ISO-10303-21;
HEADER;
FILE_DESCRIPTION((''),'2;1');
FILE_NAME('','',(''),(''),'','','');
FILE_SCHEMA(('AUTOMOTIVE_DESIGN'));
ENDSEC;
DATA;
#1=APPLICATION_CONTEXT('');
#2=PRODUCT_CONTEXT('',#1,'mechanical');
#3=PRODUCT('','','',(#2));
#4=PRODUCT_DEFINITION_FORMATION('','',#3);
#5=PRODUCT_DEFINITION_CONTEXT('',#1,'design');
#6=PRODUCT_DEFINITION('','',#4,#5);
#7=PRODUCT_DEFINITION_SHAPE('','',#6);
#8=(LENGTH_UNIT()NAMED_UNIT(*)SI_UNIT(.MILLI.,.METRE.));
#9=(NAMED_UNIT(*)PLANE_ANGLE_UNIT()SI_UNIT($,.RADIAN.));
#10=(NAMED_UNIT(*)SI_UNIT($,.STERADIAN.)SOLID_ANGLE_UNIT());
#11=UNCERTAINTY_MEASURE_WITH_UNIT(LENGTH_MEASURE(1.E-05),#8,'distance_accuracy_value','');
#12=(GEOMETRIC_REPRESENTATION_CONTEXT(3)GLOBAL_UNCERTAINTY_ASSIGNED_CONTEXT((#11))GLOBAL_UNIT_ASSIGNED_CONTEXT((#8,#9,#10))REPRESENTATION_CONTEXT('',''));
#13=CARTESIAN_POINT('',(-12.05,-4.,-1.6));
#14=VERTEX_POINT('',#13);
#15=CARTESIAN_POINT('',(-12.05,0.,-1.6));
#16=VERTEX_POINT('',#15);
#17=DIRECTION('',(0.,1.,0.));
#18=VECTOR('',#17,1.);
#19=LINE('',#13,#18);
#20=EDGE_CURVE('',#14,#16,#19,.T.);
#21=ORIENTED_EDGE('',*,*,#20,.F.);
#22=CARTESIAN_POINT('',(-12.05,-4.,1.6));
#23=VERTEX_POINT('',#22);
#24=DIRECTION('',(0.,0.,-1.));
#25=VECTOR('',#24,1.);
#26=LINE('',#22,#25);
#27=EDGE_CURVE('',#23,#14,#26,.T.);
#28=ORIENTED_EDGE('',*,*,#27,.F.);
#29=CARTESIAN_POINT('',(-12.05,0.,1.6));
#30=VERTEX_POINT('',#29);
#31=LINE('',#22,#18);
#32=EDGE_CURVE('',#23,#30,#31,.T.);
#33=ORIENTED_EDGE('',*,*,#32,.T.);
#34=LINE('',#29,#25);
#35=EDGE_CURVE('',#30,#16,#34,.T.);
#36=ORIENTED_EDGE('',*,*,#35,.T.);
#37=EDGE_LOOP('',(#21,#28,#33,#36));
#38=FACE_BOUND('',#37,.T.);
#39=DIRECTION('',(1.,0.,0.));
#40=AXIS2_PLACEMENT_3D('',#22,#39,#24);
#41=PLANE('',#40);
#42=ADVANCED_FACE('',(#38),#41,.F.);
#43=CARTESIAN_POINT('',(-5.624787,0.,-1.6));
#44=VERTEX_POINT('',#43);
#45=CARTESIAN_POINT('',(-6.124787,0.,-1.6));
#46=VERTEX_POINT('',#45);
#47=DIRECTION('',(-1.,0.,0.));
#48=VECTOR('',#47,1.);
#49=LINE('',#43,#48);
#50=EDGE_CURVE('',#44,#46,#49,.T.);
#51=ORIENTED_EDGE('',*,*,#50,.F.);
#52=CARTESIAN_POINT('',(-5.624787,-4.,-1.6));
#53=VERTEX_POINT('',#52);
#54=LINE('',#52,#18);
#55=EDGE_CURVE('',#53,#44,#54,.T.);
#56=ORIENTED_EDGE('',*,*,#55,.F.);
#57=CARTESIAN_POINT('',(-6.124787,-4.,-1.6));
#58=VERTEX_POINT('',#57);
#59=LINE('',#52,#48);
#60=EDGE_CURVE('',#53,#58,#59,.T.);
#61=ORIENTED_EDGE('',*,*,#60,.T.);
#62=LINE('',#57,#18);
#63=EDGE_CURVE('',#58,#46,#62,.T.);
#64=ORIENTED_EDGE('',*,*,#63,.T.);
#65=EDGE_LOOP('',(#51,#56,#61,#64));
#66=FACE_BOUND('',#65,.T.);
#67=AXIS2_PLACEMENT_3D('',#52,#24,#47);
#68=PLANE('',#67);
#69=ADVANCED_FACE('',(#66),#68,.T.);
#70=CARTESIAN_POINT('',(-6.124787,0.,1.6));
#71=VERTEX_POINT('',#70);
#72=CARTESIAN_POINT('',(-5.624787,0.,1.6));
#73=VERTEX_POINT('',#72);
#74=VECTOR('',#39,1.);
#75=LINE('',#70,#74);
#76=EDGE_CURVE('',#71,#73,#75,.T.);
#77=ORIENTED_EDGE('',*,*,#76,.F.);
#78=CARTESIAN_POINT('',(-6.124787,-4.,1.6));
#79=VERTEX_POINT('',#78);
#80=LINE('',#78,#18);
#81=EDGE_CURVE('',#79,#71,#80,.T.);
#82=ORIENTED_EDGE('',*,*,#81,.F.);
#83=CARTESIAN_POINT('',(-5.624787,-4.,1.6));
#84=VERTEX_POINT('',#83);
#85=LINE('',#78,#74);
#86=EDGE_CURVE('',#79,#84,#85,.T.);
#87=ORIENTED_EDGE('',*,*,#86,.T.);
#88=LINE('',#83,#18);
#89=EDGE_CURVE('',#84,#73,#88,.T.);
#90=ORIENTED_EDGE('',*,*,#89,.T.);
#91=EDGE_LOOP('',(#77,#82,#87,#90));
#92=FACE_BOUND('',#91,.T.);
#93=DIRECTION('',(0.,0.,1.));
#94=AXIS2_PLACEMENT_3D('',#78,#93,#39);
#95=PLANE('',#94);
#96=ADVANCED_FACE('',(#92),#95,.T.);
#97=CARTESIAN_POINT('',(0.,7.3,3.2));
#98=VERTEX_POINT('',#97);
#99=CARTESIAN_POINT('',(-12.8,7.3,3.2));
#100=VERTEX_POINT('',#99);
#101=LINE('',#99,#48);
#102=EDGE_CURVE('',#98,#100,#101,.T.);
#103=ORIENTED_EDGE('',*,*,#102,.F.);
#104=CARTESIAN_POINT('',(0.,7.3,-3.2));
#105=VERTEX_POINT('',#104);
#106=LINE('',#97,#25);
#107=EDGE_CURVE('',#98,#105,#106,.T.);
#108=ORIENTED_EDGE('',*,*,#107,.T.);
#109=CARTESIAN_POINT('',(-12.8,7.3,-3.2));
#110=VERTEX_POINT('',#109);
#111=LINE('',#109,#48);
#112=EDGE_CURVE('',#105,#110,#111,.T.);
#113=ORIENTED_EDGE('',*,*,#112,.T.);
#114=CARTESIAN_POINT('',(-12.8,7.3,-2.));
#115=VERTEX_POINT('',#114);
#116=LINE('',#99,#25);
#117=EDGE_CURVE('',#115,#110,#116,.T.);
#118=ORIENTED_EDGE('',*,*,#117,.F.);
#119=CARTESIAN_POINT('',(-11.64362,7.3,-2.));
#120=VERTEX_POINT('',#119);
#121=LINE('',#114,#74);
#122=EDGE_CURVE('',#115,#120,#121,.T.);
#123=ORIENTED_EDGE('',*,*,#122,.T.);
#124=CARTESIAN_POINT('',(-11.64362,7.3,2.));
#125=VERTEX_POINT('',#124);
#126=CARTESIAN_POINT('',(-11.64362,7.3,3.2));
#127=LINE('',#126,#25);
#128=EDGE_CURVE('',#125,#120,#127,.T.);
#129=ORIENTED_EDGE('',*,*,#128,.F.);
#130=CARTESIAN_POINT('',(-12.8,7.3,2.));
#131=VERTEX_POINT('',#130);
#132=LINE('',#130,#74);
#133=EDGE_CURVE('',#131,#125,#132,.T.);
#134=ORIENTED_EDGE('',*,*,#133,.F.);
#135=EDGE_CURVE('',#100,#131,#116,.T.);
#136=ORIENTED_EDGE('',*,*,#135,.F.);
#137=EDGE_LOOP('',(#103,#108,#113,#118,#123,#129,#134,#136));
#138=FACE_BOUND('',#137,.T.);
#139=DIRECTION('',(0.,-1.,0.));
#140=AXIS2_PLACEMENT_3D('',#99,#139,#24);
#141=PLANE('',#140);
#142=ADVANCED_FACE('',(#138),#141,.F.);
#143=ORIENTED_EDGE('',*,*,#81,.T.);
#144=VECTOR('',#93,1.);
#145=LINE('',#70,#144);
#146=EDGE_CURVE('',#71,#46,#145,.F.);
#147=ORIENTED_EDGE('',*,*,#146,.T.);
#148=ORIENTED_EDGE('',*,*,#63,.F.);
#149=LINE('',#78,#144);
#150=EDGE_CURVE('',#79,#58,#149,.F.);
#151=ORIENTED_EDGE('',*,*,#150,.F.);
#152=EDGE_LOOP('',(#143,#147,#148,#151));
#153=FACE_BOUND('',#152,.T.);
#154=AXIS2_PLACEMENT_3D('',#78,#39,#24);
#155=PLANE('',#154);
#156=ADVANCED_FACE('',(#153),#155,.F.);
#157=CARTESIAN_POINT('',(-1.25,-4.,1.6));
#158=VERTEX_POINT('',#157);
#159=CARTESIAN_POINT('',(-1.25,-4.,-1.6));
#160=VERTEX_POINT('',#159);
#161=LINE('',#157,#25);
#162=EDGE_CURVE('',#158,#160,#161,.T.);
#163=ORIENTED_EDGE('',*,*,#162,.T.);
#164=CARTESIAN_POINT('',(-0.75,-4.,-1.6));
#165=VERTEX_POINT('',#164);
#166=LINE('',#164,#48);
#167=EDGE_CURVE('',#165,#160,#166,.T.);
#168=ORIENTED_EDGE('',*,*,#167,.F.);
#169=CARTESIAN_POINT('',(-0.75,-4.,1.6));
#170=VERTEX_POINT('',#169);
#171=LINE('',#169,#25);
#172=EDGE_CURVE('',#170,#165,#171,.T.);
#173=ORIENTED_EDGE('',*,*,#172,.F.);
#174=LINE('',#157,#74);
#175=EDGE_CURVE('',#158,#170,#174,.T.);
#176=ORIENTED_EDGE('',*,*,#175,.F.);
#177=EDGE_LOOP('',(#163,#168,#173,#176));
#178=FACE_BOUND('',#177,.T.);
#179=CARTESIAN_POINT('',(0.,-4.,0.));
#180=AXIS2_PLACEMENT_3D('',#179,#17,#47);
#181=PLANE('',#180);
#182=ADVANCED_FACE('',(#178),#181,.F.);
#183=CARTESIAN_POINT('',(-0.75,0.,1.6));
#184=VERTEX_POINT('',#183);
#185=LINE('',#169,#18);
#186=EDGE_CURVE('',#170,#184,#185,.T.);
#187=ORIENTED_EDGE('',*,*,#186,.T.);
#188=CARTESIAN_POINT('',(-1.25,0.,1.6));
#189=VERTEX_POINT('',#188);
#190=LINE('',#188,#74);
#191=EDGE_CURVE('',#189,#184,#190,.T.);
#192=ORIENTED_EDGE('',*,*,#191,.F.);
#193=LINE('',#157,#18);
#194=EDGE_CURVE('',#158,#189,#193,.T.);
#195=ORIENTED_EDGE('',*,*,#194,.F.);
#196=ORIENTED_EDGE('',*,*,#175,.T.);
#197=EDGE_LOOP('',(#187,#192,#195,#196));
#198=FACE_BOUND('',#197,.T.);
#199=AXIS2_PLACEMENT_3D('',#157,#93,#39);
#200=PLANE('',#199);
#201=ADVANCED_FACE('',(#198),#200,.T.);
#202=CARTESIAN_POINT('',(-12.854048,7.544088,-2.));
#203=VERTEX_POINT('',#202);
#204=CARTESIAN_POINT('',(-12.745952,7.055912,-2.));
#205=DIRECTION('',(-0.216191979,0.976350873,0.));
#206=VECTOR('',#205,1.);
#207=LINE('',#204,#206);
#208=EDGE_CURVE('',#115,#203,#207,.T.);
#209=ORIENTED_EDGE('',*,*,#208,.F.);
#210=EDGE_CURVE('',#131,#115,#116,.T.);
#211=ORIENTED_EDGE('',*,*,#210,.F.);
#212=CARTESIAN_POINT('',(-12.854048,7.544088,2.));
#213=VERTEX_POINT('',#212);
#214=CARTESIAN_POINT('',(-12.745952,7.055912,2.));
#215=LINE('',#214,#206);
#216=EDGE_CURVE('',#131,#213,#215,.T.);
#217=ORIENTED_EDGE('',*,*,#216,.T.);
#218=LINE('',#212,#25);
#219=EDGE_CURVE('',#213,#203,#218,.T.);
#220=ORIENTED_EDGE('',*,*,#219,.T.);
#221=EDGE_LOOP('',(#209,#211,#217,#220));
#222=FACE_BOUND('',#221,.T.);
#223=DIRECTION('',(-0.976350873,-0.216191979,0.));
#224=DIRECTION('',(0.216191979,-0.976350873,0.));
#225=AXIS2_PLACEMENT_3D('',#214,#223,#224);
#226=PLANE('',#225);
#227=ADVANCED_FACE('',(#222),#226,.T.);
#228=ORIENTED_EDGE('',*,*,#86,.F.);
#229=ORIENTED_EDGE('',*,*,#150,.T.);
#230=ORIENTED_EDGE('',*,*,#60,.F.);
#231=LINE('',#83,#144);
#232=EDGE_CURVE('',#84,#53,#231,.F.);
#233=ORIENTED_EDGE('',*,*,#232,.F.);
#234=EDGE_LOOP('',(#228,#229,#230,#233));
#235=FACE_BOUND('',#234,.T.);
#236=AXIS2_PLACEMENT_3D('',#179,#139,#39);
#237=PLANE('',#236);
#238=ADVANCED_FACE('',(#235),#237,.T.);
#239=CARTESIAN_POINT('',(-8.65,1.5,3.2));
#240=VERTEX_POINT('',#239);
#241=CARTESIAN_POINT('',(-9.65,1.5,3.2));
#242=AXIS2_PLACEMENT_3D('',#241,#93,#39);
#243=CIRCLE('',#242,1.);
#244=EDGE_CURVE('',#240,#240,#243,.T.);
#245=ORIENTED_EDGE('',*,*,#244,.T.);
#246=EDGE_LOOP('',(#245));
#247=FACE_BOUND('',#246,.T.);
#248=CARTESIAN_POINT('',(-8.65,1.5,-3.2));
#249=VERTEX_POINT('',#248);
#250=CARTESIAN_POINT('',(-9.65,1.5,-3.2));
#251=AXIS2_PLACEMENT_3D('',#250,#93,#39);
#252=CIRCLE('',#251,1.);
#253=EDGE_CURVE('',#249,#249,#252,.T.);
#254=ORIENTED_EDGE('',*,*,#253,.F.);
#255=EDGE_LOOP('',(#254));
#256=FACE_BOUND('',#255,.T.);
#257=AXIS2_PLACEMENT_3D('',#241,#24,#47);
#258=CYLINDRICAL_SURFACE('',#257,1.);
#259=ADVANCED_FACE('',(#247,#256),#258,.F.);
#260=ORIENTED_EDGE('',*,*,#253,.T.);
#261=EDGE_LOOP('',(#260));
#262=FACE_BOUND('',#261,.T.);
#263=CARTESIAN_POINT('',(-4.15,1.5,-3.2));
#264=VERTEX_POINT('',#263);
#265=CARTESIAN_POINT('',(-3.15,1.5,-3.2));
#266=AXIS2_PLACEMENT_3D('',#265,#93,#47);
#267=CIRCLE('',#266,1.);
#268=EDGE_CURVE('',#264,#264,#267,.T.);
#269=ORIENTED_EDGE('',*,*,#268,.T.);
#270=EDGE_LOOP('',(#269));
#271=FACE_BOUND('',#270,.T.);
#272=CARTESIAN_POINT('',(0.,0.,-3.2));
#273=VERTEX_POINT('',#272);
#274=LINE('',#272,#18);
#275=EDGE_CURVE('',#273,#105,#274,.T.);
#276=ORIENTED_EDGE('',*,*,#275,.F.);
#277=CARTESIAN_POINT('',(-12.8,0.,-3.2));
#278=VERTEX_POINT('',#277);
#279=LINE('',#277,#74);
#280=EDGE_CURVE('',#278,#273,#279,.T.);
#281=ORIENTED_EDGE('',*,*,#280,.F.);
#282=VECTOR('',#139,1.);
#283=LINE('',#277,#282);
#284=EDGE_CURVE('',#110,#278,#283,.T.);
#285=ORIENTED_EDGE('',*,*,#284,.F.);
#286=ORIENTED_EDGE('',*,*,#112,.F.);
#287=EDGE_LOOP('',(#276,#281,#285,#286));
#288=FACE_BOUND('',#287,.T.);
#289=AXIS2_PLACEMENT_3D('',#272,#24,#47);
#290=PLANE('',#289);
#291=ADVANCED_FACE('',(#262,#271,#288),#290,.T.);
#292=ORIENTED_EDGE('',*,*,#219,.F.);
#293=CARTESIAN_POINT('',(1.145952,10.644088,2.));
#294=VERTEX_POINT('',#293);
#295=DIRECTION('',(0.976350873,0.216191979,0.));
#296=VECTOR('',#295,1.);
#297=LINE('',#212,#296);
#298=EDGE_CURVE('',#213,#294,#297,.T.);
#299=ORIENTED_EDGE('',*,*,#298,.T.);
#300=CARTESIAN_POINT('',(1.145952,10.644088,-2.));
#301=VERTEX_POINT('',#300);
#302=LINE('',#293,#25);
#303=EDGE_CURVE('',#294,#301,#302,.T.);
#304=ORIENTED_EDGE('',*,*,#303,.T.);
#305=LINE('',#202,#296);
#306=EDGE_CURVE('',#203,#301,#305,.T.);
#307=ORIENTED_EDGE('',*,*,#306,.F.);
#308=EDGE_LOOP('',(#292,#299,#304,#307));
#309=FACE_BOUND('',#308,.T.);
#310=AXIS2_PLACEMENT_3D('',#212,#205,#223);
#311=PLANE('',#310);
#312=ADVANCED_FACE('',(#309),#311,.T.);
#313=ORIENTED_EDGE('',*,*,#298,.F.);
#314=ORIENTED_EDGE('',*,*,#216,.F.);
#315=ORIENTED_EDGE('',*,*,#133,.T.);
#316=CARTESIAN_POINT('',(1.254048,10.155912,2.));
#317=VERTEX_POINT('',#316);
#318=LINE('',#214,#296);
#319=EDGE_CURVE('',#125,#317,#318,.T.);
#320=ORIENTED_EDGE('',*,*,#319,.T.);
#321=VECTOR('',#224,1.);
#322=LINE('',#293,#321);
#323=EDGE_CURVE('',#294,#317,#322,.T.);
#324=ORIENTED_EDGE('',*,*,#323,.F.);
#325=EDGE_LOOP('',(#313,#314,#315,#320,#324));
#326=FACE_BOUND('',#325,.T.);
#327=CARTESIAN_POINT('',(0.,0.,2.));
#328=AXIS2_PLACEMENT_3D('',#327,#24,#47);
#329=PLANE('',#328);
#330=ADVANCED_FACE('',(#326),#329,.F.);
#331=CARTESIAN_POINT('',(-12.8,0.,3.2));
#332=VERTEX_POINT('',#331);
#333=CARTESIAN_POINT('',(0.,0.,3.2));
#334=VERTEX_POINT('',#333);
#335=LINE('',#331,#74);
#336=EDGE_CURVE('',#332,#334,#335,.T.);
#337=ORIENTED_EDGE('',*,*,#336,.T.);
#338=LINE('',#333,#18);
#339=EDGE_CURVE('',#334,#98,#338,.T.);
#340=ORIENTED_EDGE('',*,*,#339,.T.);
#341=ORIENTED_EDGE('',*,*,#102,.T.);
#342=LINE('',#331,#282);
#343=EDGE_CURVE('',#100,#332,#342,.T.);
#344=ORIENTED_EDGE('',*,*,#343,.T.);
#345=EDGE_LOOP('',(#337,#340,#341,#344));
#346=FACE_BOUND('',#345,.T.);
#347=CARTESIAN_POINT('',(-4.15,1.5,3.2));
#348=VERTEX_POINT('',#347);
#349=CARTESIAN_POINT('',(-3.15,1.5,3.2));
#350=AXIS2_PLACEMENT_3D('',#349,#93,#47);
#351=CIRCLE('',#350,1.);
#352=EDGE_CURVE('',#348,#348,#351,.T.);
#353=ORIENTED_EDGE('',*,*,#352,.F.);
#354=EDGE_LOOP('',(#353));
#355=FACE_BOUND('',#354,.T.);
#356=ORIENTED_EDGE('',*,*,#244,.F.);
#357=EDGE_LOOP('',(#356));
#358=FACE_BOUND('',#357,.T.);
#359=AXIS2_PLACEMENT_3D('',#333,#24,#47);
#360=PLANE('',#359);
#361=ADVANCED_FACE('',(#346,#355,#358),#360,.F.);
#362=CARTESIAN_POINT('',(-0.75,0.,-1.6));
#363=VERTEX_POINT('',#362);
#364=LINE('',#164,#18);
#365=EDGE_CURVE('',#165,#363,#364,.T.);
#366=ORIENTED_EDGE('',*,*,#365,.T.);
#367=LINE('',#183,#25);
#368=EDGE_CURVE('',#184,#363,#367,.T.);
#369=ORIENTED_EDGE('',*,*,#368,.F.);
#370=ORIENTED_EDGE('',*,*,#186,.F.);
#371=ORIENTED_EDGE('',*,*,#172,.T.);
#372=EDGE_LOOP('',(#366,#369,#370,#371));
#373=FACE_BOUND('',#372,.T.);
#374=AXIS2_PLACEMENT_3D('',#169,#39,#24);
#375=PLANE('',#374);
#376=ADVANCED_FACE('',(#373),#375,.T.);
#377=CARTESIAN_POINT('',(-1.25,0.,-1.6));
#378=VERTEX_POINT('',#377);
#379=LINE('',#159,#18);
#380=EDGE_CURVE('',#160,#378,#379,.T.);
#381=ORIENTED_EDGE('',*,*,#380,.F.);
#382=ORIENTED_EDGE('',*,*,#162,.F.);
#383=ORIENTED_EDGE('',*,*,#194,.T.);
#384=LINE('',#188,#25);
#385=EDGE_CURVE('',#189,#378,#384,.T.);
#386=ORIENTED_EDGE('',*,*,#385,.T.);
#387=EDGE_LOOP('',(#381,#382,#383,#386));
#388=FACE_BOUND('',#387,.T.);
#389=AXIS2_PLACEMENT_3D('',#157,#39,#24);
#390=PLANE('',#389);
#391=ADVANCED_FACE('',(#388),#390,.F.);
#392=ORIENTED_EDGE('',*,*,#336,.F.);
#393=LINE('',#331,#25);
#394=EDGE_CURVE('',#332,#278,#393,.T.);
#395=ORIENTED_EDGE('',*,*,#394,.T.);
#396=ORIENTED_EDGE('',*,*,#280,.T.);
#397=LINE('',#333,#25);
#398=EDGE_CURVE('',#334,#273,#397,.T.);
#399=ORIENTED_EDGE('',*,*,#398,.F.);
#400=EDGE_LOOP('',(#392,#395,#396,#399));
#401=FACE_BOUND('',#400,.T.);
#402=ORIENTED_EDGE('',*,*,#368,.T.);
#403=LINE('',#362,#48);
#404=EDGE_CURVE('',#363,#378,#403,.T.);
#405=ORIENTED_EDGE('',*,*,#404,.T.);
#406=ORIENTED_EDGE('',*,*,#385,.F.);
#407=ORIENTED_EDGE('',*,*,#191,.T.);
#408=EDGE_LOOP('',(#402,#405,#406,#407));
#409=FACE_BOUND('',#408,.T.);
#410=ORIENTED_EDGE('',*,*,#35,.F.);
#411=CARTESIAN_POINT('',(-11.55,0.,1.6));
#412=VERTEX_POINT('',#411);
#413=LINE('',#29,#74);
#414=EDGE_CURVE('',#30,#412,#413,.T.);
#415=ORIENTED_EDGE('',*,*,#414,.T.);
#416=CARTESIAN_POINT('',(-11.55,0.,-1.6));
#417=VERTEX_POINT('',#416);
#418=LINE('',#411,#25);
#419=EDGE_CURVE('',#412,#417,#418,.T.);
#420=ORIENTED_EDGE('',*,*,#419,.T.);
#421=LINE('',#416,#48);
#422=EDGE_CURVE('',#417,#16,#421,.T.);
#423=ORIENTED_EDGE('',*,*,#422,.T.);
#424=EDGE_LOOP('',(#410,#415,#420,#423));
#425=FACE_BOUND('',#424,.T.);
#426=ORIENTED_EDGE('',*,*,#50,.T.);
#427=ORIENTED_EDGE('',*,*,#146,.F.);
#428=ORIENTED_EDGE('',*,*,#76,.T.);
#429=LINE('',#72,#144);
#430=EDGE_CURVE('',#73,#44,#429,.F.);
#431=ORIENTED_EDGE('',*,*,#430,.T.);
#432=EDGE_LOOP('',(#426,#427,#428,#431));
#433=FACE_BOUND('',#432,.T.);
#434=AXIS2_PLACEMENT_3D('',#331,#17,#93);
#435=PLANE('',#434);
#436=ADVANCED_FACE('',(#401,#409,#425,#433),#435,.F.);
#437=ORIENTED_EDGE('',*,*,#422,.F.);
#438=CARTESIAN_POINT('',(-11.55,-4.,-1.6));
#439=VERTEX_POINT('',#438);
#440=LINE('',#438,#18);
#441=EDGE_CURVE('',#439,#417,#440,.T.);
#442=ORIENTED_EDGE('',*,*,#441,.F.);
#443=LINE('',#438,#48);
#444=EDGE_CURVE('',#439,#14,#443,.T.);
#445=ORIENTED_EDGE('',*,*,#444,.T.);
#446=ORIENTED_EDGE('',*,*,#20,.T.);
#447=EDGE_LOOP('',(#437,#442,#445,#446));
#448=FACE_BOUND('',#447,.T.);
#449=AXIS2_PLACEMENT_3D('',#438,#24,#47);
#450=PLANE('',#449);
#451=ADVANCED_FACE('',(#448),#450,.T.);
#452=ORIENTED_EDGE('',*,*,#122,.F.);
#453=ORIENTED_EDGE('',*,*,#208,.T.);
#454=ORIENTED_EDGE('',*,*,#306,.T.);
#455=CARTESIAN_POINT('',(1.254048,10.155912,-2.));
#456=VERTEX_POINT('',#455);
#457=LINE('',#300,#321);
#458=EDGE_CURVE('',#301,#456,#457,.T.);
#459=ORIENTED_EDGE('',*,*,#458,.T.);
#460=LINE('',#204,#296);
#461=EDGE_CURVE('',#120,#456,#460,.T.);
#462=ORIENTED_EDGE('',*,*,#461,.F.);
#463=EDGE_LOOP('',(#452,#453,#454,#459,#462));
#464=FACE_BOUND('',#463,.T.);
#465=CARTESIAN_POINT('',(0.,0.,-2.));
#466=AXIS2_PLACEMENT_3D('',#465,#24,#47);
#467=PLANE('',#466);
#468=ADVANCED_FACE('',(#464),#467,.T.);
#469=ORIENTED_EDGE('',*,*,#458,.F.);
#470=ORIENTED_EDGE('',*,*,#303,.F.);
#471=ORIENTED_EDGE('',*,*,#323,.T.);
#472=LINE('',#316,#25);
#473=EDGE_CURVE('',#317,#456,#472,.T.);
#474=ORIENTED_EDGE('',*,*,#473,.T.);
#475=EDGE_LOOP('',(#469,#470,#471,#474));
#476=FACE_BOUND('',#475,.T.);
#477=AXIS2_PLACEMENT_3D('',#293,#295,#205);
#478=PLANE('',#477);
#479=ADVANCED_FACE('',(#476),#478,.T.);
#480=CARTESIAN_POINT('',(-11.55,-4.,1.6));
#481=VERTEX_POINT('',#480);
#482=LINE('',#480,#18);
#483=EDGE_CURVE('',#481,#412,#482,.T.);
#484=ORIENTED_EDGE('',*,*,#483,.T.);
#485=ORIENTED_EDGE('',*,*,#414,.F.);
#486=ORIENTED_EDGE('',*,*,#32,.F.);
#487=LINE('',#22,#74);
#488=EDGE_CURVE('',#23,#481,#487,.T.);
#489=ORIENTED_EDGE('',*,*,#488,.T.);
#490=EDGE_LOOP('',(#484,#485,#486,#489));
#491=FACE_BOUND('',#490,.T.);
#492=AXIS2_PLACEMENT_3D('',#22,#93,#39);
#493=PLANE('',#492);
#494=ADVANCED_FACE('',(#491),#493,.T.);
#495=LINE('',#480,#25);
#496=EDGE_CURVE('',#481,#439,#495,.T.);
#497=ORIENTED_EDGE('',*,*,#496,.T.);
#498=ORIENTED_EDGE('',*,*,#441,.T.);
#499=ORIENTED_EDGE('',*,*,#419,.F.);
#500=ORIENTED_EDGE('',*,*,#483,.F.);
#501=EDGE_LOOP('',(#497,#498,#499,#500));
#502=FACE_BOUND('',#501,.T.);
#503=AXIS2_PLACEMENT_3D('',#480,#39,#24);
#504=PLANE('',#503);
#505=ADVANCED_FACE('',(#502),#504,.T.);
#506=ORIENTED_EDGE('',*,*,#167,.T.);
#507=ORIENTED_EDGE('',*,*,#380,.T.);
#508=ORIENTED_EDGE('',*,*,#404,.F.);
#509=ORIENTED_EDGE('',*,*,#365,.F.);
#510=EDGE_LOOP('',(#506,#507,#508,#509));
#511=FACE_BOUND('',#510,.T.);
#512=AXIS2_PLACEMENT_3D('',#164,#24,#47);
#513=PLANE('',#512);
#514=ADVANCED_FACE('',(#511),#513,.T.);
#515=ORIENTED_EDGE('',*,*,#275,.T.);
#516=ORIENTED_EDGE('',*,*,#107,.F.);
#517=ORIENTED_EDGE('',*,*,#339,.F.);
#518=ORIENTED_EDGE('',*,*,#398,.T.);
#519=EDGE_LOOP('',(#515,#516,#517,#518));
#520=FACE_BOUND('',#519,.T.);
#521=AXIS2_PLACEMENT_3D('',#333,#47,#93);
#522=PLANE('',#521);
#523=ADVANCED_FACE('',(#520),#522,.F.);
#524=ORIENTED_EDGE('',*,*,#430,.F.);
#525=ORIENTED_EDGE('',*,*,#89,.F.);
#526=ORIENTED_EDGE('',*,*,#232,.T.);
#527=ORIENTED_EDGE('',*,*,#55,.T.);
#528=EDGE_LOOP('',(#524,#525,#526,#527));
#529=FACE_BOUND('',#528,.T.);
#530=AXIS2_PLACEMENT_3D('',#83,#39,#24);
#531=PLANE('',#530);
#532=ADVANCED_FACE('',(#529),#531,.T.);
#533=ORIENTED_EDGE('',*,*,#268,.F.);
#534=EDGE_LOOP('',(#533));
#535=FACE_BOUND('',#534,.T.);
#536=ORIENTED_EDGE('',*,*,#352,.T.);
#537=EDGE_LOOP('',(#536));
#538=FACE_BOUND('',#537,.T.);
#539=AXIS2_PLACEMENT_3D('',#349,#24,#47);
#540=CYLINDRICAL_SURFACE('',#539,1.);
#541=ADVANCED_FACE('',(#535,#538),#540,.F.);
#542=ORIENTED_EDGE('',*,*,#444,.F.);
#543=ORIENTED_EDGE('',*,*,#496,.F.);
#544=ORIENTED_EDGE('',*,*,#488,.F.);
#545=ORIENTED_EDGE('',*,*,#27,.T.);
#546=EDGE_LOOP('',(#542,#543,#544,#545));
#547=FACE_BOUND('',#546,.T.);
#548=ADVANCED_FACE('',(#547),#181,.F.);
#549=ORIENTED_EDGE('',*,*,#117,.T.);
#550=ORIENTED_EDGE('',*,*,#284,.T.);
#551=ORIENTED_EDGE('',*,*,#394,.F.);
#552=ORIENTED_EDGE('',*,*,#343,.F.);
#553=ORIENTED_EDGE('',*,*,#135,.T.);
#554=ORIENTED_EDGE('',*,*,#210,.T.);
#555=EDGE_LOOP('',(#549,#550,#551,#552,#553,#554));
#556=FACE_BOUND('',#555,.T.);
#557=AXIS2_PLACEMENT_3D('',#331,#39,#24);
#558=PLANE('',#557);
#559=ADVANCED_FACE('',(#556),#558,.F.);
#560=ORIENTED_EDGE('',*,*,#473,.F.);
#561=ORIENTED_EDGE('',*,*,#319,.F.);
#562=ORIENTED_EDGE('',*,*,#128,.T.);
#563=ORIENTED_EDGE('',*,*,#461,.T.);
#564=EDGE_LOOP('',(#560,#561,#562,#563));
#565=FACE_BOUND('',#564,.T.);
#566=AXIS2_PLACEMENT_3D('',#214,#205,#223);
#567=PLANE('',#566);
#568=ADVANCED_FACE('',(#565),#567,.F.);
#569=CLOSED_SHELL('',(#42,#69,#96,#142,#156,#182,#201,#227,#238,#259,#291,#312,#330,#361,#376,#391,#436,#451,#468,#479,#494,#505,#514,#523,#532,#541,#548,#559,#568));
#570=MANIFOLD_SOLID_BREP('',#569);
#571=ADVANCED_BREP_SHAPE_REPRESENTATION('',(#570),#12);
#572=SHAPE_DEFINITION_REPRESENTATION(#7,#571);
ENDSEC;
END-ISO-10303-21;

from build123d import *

# Parameters (mm, degrees)
SKETCH_1_W        = 12.8
SKETCH_1_H        = 7.3
SKETCH_1_R        = 1
EXTRUDE_1_DEPTH   = 3.2
SKETCH_2_W        = 0.5
SKETCH_2_H        = 3.2
EXTRUDE_1_2_DEPTH = 4
EXTRUDE_2_DEPTH   = 2


with BuildPart() as part:
    # Эскиз1 → Extrude 1 (new, symmetric)
    with BuildSketch(Plane.XY):
        with Locations((-6.4, 3.65)):
            Rectangle(SKETCH_1_W, SKETCH_1_H)
        with Locations((-9.65, 1.5)):
            Circle(SKETCH_1_R, mode=Mode.SUBTRACT)
        with Locations(Location((-3.15, 1.5, 0), (0, 0, 180))):
            Circle(SKETCH_1_R, mode=Mode.SUBTRACT)
    extrude(amount=EXTRUDE_1_DEPTH, both=True)

    # Эскиз2 → Extrude 1 2 (add)
    with BuildSketch(Plane.XZ):
        with Locations((-11.8, 0)):
            Rectangle(SKETCH_2_W, SKETCH_2_H)
        with Locations((-5.874787357, 0)):
            Rectangle(SKETCH_2_W, SKETCH_2_H)
        with Locations((-1, 0)):
            Rectangle(SKETCH_2_W, SKETCH_2_H)
    extrude(amount=EXTRUDE_1_2_DEPTH)

    # Эскиз3 → Вытянуть-Тонкостенный2 (add, symmetric)
    with BuildSketch(Plane.XY):
        Polygon((-12.745952005, 7.055912282), (1.254047995, 10.155912282), (1.145952005, 10.644087718), (-12.854047995, 7.544087718), align=None)
    extrude(amount=EXTRUDE_2_DEPTH, both=True)


solid = part.part
